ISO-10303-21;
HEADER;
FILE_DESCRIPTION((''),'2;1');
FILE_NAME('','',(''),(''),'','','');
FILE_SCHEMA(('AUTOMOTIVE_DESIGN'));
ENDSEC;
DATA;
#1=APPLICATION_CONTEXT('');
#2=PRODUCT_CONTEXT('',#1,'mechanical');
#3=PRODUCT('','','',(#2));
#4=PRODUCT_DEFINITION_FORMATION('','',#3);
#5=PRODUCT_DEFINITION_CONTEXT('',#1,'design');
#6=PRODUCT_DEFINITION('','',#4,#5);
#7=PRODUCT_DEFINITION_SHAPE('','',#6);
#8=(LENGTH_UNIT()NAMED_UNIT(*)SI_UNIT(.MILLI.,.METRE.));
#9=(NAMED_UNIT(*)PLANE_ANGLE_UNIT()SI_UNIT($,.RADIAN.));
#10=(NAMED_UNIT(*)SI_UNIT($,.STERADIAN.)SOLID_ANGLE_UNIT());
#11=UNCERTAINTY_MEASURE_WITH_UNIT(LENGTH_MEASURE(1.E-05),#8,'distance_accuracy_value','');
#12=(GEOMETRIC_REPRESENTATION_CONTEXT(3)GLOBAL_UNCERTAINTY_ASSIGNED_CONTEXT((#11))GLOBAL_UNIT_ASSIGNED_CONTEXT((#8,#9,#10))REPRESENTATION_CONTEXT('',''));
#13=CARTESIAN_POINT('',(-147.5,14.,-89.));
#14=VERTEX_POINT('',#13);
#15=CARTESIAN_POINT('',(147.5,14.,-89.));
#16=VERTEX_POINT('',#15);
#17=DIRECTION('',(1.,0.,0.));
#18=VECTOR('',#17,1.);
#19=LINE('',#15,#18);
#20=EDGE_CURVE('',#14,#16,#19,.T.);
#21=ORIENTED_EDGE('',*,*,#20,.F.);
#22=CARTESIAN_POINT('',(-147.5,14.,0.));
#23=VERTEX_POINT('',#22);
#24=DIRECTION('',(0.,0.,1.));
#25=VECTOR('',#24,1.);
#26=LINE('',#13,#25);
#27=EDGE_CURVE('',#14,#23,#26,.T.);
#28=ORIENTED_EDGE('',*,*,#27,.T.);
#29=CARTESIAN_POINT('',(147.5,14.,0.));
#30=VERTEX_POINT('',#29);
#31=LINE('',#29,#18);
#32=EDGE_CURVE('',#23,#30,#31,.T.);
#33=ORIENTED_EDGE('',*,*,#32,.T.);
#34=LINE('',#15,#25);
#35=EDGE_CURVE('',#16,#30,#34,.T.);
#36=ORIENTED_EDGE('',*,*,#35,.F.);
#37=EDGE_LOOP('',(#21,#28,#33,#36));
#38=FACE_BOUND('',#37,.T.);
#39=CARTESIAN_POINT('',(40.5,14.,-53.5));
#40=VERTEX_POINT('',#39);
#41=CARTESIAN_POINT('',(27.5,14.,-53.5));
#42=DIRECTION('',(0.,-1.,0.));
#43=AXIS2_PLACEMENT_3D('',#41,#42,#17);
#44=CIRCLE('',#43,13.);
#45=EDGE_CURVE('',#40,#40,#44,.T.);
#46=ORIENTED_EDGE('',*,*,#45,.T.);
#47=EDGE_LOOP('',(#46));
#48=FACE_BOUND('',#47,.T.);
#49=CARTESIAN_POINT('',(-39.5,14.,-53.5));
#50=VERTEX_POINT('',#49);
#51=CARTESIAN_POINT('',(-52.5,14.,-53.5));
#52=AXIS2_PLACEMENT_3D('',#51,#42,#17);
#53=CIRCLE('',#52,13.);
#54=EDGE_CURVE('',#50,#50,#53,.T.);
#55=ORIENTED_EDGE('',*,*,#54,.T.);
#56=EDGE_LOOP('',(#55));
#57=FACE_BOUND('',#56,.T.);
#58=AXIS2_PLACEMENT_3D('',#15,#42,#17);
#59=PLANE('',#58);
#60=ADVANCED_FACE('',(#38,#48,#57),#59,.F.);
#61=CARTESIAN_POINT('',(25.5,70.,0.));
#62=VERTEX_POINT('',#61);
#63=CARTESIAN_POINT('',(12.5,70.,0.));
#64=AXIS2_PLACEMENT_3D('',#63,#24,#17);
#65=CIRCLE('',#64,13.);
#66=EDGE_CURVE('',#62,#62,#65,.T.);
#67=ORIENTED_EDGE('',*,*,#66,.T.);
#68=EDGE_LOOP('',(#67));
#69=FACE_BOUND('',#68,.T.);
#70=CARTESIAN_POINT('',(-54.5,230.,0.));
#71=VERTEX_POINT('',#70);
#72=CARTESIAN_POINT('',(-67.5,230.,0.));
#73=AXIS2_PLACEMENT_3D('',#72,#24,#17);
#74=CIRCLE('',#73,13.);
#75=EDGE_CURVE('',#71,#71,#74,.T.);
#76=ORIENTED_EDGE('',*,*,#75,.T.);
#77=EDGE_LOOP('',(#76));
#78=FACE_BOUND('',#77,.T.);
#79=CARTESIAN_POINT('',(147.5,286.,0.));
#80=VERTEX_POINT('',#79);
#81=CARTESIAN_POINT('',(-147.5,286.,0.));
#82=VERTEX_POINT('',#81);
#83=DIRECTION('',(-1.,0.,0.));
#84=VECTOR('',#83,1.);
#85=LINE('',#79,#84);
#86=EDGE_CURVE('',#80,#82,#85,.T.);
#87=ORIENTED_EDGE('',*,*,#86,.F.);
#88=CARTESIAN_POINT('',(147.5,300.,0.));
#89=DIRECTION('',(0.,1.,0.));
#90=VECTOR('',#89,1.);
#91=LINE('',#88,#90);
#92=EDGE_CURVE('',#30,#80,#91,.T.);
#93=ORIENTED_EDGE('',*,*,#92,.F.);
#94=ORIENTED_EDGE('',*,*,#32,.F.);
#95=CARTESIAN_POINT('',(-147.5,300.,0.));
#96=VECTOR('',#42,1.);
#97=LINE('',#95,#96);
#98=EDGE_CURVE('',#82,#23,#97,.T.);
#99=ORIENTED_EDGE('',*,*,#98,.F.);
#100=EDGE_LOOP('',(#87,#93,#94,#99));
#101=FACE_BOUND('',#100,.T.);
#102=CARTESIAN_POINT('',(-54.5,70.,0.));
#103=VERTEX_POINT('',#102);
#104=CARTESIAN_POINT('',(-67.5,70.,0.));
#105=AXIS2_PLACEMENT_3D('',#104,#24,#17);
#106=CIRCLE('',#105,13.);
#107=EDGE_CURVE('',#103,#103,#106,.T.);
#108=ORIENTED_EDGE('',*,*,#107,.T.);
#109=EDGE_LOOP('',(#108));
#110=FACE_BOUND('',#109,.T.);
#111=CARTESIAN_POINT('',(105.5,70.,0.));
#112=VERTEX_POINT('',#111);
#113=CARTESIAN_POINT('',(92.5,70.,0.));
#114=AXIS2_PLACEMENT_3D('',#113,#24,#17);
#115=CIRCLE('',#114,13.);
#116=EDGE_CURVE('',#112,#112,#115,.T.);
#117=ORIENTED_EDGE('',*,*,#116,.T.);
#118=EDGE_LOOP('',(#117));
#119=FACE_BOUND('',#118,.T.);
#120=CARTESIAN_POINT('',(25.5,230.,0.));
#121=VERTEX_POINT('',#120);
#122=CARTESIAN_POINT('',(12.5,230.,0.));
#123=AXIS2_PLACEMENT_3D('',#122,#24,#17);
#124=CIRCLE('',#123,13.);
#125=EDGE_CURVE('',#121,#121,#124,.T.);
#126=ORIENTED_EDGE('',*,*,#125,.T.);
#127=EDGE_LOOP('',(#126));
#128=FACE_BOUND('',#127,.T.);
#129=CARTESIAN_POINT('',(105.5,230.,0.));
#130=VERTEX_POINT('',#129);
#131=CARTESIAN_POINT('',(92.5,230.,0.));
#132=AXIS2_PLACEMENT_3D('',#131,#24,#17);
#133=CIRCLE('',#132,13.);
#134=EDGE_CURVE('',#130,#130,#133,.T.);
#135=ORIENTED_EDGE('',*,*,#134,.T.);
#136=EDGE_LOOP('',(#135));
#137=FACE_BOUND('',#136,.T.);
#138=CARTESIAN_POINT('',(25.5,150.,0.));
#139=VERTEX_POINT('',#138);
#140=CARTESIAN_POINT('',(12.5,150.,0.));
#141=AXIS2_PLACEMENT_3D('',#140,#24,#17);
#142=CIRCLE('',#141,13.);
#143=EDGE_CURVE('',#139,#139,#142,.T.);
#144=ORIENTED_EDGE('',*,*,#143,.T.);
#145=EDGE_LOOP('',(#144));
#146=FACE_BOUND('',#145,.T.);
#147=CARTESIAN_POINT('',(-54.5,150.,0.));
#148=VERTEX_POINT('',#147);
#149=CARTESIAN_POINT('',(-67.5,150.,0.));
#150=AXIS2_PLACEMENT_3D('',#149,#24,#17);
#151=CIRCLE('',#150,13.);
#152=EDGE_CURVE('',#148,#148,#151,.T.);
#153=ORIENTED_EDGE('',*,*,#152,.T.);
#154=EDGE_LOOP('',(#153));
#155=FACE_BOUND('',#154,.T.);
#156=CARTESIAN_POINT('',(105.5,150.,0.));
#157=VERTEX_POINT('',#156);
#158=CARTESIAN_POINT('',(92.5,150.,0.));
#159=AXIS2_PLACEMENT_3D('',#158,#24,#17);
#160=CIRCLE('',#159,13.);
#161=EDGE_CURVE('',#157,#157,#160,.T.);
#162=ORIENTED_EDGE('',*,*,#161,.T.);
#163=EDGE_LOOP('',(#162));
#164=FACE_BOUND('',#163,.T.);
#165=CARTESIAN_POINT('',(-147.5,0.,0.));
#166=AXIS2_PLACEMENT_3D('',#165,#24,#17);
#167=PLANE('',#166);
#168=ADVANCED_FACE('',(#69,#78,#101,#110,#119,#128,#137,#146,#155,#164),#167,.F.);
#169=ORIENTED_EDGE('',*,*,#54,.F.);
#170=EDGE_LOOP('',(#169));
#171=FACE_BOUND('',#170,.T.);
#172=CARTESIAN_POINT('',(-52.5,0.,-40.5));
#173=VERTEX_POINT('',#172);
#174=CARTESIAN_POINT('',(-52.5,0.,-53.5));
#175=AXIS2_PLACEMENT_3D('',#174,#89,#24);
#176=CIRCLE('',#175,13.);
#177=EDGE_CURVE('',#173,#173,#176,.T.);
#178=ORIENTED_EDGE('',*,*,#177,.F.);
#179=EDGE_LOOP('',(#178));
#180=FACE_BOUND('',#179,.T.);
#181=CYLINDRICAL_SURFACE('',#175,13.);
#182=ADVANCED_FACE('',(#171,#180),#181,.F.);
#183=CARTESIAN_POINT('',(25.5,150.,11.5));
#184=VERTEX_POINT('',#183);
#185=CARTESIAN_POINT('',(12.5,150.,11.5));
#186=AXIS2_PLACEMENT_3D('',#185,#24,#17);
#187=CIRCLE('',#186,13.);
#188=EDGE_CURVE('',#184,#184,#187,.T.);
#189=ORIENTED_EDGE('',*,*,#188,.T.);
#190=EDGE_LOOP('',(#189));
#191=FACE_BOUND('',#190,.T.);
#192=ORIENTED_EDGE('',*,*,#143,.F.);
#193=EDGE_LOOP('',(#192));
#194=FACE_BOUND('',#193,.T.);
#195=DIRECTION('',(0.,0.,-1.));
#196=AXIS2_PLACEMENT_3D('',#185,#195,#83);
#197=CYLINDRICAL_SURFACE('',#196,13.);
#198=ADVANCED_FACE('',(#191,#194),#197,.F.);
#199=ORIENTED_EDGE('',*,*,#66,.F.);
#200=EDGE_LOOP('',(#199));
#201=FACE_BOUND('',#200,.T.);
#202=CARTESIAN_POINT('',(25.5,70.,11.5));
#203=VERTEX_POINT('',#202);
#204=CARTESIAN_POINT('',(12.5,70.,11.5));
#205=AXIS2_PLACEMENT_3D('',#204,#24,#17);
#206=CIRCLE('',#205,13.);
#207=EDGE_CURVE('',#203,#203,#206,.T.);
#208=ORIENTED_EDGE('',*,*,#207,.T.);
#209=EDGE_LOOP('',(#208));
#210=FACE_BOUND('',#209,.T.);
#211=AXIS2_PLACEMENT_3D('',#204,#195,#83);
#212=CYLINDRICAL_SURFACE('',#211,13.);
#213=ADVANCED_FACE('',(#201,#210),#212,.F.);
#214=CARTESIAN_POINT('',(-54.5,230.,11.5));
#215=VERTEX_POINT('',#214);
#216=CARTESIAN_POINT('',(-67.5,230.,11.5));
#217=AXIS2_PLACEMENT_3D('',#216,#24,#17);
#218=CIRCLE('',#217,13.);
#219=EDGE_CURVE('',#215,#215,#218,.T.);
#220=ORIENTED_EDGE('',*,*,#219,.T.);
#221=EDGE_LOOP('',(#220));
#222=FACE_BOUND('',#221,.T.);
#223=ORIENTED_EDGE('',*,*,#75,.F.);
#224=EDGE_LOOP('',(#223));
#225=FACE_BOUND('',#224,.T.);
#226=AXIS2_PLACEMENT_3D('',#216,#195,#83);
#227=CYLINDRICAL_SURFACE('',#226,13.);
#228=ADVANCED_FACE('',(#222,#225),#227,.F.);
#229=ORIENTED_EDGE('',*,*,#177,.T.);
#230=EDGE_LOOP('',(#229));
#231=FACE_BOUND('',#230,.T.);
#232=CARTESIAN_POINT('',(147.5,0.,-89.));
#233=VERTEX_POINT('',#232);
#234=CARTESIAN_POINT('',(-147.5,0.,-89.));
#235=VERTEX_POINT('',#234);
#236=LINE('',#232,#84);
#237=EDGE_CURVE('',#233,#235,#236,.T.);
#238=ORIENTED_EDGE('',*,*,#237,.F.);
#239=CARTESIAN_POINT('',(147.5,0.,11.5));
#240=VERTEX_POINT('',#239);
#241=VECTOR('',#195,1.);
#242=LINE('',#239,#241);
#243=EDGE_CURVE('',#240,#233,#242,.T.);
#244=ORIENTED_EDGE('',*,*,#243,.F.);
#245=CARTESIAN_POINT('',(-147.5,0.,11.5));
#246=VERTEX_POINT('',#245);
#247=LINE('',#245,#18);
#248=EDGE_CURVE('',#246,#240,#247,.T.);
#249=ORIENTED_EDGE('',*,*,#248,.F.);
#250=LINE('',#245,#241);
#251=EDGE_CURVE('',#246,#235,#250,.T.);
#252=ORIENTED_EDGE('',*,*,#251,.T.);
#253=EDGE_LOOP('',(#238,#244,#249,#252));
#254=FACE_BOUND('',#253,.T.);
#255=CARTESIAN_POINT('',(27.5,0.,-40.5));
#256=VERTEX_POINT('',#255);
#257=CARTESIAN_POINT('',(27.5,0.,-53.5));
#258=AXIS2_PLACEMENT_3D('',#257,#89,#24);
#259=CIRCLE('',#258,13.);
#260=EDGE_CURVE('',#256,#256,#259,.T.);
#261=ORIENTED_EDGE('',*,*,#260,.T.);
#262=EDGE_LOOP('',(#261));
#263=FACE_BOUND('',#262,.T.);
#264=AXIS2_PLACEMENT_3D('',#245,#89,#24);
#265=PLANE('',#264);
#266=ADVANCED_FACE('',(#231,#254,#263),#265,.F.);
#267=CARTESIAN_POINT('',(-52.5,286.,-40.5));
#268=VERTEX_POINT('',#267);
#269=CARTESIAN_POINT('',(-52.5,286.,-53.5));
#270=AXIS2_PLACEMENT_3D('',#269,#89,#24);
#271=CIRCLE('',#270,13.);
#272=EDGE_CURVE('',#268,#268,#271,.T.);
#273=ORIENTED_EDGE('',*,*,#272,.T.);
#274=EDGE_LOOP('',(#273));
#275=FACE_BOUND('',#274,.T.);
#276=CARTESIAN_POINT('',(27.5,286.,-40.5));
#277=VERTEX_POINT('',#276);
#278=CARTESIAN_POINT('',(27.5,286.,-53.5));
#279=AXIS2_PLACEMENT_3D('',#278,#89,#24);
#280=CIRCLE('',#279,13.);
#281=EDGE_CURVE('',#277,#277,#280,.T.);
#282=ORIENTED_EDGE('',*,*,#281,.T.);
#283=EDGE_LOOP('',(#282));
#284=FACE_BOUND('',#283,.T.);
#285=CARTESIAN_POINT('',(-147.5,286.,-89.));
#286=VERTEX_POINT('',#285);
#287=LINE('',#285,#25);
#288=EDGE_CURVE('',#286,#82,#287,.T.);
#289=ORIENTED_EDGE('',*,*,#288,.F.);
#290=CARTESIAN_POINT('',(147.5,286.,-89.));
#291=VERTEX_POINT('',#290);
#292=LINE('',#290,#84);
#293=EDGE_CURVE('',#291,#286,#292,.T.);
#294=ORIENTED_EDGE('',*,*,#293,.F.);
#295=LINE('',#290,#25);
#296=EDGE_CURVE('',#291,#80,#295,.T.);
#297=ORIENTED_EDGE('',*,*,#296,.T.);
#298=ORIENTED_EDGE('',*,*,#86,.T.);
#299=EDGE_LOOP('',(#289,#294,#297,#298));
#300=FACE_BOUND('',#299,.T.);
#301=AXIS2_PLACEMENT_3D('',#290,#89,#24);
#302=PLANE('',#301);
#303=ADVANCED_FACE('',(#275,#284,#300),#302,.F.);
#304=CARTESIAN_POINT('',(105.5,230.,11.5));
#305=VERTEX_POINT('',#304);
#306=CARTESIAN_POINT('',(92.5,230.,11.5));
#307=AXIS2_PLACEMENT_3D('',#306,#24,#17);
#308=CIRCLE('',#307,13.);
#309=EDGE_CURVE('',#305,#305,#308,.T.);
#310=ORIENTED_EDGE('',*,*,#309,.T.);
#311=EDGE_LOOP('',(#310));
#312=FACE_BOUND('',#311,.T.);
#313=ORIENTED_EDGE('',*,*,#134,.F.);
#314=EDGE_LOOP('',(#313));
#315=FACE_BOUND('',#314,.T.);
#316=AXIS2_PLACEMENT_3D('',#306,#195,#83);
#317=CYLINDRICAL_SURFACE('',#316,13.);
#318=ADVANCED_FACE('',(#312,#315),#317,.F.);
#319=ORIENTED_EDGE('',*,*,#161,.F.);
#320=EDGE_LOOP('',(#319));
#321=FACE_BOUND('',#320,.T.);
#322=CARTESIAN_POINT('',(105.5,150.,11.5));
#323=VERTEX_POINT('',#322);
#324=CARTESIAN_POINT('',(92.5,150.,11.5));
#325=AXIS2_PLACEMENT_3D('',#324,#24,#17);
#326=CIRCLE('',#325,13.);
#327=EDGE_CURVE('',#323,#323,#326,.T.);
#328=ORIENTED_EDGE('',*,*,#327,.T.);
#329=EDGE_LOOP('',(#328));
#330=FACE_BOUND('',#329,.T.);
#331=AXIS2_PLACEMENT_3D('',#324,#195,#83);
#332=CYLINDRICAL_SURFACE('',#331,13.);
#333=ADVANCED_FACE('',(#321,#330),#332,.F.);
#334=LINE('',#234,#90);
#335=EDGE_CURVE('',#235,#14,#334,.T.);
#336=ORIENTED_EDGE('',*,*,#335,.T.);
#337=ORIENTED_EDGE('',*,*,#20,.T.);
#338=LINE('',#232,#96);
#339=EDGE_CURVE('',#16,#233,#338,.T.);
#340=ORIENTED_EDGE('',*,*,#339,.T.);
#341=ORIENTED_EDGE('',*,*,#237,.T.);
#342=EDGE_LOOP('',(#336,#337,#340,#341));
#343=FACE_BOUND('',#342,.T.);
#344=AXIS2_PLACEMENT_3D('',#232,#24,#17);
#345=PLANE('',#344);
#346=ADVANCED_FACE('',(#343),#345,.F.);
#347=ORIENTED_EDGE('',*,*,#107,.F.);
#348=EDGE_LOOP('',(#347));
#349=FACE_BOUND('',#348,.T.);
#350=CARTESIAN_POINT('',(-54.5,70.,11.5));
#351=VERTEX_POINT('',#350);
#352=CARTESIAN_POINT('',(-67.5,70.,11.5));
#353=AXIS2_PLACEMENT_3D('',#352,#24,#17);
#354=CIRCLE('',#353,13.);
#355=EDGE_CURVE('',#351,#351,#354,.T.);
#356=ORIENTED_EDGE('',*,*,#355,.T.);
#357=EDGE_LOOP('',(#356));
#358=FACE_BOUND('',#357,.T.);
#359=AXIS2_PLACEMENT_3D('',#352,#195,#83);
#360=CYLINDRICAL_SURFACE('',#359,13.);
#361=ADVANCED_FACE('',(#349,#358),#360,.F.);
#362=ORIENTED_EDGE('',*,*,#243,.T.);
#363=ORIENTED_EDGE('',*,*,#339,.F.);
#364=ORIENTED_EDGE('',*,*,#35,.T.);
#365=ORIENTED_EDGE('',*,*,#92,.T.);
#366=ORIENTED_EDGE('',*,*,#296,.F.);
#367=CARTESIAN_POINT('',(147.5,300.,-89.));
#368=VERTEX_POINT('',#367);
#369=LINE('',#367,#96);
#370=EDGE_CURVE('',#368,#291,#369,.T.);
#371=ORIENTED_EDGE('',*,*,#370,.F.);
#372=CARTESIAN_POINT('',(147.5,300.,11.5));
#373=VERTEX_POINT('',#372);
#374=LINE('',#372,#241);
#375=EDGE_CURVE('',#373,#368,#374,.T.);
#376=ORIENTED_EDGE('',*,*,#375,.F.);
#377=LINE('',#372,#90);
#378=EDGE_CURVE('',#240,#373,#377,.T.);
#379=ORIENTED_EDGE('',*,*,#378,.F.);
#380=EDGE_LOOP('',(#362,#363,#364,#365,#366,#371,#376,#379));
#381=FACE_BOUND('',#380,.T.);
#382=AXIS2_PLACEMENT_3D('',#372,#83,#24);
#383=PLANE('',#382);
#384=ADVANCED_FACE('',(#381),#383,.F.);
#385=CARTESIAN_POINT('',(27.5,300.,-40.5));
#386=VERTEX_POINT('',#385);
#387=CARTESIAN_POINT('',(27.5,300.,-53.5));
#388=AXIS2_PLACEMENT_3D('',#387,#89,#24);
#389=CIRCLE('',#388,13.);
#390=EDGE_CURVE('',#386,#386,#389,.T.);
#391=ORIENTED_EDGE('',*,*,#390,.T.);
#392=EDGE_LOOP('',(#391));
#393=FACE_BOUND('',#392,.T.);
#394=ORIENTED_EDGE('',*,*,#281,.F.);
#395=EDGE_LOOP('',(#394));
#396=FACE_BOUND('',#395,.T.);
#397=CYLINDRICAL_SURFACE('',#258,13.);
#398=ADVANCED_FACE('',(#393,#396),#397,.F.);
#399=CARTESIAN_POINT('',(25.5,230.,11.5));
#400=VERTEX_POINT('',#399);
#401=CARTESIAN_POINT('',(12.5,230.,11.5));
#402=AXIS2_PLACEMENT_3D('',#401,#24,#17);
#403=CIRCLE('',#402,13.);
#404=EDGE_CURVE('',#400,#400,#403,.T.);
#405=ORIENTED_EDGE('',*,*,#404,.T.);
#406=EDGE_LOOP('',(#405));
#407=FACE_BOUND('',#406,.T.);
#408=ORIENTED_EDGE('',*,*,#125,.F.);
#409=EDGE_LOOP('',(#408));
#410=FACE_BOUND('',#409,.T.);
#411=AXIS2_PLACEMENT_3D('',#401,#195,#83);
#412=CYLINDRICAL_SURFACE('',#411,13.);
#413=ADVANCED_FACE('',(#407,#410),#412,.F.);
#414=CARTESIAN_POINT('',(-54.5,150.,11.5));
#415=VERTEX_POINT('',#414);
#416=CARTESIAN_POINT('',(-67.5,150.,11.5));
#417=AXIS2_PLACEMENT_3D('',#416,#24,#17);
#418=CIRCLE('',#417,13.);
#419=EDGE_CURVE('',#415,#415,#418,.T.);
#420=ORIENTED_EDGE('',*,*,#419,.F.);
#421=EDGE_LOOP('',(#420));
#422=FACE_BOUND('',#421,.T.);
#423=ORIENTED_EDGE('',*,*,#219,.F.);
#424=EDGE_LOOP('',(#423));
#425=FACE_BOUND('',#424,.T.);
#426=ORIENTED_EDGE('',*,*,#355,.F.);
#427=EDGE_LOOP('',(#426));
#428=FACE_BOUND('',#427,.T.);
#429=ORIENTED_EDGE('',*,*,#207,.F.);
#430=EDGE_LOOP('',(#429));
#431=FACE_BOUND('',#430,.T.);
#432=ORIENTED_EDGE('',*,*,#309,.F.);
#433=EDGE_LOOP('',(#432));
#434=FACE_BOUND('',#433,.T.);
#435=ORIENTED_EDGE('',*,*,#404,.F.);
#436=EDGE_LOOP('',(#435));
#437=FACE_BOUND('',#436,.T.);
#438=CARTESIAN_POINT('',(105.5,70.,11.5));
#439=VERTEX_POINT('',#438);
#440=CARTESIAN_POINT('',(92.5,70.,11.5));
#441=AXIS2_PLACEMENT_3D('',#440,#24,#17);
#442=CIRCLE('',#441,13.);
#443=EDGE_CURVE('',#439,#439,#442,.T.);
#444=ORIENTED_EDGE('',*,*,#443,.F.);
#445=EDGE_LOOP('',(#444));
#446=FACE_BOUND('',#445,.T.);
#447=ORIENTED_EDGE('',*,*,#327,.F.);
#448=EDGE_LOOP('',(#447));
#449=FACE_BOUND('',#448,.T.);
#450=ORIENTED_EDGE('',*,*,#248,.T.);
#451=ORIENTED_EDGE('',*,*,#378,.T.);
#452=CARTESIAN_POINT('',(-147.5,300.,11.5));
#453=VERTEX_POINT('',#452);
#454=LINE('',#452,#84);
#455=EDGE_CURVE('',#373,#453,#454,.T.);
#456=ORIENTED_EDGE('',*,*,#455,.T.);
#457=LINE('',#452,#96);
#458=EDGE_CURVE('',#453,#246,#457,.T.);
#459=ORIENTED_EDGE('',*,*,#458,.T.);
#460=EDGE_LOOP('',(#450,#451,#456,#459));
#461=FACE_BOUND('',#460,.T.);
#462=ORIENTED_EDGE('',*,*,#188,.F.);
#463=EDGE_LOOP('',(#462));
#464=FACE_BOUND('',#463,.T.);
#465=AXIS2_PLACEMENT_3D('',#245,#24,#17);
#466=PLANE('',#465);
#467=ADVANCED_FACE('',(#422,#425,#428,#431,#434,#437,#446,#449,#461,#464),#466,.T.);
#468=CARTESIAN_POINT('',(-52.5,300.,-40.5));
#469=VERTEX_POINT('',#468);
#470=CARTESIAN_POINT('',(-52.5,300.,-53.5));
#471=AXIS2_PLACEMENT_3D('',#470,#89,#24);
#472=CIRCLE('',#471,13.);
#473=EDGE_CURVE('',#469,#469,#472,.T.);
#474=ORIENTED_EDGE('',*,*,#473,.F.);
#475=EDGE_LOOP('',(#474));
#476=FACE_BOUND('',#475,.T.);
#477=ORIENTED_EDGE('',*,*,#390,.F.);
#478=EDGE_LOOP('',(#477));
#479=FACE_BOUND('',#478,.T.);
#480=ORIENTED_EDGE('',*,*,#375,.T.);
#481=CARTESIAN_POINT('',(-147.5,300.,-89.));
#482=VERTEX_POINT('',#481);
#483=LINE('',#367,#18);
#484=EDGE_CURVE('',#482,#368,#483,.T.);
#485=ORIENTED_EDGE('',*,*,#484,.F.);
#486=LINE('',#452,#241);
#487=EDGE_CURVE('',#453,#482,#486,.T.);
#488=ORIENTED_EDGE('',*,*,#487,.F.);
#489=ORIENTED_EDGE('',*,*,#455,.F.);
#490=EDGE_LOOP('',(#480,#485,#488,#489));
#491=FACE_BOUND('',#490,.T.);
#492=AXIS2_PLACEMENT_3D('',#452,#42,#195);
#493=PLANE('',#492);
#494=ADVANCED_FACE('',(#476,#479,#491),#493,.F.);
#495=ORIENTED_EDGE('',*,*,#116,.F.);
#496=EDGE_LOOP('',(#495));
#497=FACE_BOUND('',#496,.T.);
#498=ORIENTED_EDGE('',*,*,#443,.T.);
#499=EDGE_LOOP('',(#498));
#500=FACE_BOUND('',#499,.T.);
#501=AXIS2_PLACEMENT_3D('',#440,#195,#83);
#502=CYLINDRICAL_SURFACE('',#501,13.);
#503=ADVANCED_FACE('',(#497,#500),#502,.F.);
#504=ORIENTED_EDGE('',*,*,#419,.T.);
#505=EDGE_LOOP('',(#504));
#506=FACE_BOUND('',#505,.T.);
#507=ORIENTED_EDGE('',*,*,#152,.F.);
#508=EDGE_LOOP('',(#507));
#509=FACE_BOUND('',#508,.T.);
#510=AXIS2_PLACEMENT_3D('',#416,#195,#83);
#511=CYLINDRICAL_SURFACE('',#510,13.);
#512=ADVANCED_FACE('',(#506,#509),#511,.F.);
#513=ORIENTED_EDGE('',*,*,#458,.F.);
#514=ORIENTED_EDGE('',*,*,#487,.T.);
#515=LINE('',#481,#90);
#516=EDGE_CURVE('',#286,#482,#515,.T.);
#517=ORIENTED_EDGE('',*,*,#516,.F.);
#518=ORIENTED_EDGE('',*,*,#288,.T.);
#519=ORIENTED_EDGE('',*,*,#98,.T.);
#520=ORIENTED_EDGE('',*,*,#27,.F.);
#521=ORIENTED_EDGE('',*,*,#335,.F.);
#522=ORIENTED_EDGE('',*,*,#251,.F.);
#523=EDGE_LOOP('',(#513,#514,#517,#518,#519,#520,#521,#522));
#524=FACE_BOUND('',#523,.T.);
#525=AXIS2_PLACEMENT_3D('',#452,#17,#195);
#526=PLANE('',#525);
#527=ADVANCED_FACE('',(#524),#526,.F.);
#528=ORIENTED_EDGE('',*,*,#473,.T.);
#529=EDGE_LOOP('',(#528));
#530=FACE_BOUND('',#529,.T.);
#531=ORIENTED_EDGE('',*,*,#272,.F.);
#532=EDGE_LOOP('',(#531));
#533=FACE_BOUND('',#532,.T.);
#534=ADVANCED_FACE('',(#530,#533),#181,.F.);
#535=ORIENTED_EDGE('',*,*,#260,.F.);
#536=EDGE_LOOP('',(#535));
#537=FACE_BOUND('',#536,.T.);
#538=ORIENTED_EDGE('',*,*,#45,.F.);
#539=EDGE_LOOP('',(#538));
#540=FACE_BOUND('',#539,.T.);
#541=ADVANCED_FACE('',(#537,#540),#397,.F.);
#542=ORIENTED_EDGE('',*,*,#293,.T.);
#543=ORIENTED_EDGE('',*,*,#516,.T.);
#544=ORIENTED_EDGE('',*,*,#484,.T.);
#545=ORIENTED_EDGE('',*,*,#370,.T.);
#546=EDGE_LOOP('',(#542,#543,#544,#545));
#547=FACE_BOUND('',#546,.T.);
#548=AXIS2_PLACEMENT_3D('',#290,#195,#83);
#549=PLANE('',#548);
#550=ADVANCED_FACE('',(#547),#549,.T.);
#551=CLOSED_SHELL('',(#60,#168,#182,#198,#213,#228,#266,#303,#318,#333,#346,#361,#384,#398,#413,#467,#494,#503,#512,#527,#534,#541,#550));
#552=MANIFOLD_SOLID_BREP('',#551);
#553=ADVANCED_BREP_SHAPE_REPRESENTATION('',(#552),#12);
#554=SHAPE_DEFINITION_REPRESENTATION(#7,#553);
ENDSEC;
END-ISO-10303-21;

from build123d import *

# Parameters (mm, degrees)
SKETCH_1_W          = 295
SKETCH_1_H          = 300
SKETCH_1_R          = 13
EXTRUDE_466_DEPTH   = 11.5
SKETCH_2_W          = 295
SKETCH_2_H          = 14
EXTRUDE_1_DEPTH     = 89
SKETCH_3_R          = 13
CUT_EXTRUDE_1_DEPTH = 346.943998358


with BuildPart() as part:
    # 草图1 → Extrude 466 (new body)
    with BuildSketch(Plane.XY):
        with Locations((0, 150)):
            Rectangle(SKETCH_1_W, SKETCH_1_H)
        with Locations((92.5, 230)):
            Circle(SKETCH_1_R, mode=Mode.SUBTRACT)
        with Locations((92.5, 150)):
            Circle(SKETCH_1_R, mode=Mode.SUBTRACT)
        with Locations((92.5, 70)):
            Circle(SKETCH_1_R, mode=Mode.SUBTRACT)
        with Locations((12.5, 230)):
            Circle(SKETCH_1_R, mode=Mode.SUBTRACT)
        with Locations((-67.5, 230)):
            Circle(SKETCH_1_R, mode=Mode.SUBTRACT)
        with Locations((-67.5, 150)):
            Circle(SKETCH_1_R, mode=Mode.SUBTRACT)
        with Locations((-67.5, 70)):
            Circle(SKETCH_1_R, mode=Mode.SUBTRACT)
        with Locations((12.5, 70)):
            Circle(SKETCH_1_R, mode=Mode.SUBTRACT)
        with Locations((12.5, 150)):
            Circle(SKETCH_1_R, mode=Mode.SUBTRACT)
    extrude(amount=EXTRUDE_466_DEPTH)

    # 草图2 → 凸台-拉伸1 (add)
    with BuildSketch(Plane(origin=(0, 0, 0), x_dir=(-1, 0, 0), z_dir=(0, 0, -1))):
        with Locations((0, 293)):
            Rectangle(SKETCH_2_W, SKETCH_2_H)
        with Locations((0, 7)):
            Rectangle(SKETCH_2_W, SKETCH_2_H)
    extrude(amount=EXTRUDE_1_DEPTH)

    # 草图3 → 切除-拉伸1 (cut, through all)
    with BuildSketch(Plane(origin=(0, 300, 0), x_dir=(-1, 0, 0), z_dir=(0, 1, 0))):
        with Locations(Location((-27.5, -53.5, 0), (0, 0, 90))):
            Circle(SKETCH_3_R)
        with Locations(Location((52.5, -53.5, 0), (0, 0, 90))):
            Circle(SKETCH_3_R)
    extrude(amount=-CUT_EXTRUDE_1_DEPTH, mode=Mode.SUBTRACT)


solid = part.part
